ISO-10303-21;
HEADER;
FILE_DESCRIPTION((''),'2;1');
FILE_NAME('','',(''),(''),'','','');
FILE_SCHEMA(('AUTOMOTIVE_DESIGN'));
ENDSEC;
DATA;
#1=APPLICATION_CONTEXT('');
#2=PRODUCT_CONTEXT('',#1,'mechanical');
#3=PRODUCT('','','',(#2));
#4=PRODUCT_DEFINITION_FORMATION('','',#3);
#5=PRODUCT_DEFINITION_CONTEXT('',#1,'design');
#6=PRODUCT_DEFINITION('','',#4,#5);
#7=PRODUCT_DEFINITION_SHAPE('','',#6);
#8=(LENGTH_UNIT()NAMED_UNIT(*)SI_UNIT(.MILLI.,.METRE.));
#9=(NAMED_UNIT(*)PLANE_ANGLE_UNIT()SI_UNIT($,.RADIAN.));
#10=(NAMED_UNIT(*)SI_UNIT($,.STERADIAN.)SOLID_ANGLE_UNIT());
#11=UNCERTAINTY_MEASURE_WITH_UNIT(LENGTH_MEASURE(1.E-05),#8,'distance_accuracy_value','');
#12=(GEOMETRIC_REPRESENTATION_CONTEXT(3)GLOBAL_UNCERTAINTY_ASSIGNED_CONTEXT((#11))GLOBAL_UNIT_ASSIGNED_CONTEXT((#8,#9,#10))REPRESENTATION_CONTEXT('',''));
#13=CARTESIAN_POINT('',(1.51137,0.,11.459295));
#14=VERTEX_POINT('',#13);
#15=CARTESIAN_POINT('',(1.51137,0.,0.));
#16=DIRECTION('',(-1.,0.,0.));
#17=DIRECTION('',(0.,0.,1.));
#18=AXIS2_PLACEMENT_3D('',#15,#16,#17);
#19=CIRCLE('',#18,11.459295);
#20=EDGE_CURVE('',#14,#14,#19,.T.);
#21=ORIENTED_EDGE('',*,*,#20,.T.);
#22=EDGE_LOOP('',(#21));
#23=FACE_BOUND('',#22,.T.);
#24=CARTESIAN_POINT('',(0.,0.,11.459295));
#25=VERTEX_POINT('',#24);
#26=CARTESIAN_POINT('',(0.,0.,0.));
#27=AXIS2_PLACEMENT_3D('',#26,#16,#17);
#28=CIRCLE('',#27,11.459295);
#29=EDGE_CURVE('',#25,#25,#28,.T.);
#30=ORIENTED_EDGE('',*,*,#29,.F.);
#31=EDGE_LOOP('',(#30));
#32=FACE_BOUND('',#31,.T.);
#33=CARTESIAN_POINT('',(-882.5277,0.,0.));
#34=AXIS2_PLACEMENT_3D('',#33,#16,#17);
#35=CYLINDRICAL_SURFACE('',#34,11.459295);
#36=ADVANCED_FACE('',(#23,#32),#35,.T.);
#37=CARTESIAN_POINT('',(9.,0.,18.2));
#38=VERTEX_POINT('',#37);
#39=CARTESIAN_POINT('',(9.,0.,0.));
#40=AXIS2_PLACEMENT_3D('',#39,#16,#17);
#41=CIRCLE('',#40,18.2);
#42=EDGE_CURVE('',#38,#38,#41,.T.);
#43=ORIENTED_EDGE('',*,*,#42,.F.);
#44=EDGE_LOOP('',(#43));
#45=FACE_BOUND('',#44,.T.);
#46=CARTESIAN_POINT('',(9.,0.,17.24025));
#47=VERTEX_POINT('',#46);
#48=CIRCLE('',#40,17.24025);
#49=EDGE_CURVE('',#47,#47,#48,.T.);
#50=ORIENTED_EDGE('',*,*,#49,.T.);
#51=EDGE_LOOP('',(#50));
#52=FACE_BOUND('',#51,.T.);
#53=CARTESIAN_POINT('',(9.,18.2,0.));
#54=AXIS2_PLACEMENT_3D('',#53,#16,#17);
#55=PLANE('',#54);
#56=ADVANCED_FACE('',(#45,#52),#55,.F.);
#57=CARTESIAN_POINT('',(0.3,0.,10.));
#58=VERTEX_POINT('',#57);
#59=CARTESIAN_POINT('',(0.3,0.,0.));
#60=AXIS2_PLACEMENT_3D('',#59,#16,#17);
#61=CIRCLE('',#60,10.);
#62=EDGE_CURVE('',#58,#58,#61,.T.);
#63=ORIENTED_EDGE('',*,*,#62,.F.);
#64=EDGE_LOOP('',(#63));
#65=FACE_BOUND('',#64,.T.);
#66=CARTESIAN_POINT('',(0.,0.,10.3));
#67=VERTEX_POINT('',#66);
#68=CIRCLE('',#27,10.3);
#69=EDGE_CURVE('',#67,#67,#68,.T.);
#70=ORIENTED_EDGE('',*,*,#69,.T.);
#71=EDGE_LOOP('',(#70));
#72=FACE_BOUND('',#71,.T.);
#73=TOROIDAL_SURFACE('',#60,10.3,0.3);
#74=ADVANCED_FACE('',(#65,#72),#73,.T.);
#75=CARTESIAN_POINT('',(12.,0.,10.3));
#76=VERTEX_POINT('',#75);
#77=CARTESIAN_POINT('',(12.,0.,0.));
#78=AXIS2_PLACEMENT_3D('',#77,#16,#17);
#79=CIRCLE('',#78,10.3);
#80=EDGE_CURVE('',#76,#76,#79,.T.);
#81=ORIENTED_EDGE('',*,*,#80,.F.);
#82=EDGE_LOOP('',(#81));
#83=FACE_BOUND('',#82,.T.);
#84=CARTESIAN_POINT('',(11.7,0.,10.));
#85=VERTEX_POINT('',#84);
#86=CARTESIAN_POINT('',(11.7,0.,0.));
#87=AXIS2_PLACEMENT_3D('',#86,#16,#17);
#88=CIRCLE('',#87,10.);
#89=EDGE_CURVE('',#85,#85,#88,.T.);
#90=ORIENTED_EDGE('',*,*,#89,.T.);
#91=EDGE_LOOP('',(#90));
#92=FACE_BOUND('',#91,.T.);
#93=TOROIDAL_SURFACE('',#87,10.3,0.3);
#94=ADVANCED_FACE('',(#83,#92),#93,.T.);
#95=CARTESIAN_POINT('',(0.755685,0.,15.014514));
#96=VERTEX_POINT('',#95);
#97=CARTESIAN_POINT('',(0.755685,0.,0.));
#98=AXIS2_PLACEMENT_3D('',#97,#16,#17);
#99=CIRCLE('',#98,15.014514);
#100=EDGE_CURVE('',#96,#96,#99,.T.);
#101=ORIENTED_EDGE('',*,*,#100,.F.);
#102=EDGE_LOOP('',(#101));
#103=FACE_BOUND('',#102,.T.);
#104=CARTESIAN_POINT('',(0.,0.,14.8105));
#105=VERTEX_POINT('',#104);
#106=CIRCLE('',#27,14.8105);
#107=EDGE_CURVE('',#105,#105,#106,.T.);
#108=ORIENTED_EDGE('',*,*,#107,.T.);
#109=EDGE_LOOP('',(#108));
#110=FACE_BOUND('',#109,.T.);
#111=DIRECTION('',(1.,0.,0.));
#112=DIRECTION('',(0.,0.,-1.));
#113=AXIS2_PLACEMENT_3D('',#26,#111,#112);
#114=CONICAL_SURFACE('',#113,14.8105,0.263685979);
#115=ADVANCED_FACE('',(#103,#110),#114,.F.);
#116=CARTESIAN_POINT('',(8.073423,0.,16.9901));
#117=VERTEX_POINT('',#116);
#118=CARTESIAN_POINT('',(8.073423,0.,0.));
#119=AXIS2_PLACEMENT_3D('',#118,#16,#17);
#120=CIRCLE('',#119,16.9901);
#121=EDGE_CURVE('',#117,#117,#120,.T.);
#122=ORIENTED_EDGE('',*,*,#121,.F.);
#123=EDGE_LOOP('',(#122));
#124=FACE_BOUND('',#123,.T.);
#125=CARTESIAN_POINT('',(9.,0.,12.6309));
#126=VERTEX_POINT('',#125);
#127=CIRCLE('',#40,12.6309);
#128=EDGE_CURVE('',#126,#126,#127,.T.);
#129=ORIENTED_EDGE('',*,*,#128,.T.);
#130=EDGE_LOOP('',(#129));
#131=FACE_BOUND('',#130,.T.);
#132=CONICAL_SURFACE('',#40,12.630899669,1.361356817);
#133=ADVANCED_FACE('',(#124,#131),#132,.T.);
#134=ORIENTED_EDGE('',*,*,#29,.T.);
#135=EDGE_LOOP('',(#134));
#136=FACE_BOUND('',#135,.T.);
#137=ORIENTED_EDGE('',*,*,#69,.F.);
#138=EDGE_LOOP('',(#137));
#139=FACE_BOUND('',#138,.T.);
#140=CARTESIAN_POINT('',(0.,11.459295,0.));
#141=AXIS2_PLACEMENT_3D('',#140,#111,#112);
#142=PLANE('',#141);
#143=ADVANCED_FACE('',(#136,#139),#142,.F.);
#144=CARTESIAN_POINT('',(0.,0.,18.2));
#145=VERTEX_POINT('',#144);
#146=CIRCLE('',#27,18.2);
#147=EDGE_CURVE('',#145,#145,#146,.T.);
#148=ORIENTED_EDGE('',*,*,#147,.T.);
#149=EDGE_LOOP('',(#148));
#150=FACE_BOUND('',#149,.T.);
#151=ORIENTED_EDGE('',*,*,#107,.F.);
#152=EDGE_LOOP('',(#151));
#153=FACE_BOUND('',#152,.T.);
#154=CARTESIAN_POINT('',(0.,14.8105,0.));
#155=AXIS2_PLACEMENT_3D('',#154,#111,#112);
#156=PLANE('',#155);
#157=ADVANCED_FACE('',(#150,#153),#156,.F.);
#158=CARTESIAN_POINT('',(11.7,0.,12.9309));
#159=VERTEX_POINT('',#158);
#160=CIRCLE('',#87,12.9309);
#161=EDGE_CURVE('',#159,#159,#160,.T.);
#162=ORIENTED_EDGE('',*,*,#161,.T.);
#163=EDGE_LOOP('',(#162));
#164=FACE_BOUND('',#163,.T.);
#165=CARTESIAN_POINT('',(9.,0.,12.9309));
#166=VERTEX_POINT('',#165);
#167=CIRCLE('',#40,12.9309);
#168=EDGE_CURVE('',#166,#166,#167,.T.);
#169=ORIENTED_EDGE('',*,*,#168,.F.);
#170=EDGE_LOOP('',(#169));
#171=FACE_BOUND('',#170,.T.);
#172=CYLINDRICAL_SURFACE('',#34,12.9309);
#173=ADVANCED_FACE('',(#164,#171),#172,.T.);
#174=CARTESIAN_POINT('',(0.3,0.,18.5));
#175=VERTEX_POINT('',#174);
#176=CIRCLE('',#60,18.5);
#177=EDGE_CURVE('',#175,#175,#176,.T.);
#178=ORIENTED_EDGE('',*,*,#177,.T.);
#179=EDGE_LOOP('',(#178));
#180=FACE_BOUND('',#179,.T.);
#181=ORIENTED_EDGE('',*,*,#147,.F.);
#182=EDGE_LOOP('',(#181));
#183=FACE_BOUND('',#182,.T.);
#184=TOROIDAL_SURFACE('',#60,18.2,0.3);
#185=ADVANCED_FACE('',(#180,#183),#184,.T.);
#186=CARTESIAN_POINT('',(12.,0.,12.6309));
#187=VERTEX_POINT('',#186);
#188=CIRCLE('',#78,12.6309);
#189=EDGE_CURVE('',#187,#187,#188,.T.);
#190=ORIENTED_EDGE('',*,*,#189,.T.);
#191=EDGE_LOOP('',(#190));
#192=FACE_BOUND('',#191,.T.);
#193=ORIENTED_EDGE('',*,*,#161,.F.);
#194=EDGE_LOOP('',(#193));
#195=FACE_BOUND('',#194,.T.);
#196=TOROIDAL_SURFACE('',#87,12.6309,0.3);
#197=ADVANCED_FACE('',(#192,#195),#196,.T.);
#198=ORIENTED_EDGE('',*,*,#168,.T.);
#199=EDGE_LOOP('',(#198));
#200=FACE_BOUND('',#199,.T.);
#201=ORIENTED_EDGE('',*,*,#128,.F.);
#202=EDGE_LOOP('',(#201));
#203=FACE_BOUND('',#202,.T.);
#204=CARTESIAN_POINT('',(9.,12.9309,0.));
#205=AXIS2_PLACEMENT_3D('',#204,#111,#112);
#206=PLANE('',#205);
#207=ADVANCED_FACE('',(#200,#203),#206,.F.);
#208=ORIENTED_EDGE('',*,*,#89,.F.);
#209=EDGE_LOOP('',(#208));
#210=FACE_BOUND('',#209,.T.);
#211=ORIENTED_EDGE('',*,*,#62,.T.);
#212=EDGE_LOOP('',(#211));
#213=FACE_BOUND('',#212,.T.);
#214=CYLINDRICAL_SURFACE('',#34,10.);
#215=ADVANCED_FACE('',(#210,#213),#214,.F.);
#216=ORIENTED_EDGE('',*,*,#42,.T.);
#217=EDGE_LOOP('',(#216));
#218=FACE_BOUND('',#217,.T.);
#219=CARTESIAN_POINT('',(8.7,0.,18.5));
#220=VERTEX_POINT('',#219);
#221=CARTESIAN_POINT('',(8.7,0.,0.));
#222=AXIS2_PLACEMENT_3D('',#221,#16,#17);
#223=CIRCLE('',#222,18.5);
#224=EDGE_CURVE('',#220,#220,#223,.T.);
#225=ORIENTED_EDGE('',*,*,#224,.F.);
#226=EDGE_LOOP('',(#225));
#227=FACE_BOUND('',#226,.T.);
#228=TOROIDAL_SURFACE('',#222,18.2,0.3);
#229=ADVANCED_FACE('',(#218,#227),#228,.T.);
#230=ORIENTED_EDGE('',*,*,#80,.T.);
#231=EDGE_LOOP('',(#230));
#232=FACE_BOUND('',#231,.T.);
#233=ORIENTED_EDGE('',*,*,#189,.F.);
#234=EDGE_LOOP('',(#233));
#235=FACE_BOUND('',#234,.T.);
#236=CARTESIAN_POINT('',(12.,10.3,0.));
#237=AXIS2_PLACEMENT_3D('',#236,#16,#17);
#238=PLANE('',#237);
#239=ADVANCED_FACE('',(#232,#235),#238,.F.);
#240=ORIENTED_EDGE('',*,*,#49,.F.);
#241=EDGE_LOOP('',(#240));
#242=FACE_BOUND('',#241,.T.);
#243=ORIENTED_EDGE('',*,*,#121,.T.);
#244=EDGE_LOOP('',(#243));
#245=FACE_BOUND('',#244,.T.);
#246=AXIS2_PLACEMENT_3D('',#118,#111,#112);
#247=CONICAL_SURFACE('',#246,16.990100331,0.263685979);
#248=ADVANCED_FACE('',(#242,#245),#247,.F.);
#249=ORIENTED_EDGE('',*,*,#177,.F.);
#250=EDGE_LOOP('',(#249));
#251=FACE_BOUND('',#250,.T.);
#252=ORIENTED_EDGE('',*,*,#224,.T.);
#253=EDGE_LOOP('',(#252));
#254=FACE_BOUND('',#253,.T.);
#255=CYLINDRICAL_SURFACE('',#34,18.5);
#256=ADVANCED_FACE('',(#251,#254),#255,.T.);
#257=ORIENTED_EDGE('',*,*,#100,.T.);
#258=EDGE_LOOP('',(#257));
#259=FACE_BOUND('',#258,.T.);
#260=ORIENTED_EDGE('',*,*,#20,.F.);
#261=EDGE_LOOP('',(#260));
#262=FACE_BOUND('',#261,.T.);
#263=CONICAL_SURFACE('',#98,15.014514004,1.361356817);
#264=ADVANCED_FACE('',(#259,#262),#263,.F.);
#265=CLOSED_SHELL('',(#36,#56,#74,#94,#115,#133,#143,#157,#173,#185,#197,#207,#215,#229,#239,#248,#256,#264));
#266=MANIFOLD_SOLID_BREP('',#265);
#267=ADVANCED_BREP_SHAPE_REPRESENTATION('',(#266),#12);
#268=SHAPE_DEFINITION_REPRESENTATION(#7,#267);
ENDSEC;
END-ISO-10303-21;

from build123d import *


with BuildPart() as part:
    # Эскиз1 → Повернуть1 (revolve)
    with BuildSketch(Plane.XY):
        with BuildLine():
            Line((0.755685064, 15.014514004), (0, 14.8105))
            Line((0, 14.8105), (0, 18.2))
            ThreePointArc((0, 18.2), (0.087867966, 18.412132034), (0.3, 18.5))
            Line((0.3, 18.5), (8.7, 18.5))
            ThreePointArc((8.7, 18.5), (8.912132034, 18.412132034), (9, 18.2))
            Line((9, 18.2), (9, 17.240250337))
            Line((9, 17.240250337), (8.073423296, 16.990100331))
            Line((8.073423296, 16.990100331), (9, 12.630899669))
            Line((9, 12.630899669), (9, 12.930899669))
            Line((9, 12.930899669), (11.7, 12.930899669))
            ThreePointArc((11.7, 12.930899669), (11.912132034, 12.843031704), (12, 12.630899669))
            Line((12, 12.630899669), (12, 10.3))
            ThreePointArc((12, 10.3), (11.912132034, 10.087867966), (11.7, 10))
            Line((11.7, 10), (0.3, 10))
            ThreePointArc((0.3, 10), (0.087867966, 10.087867966), (0, 10.3))
            Line((0, 10.3), (0, 11.459295301))
            Line((0, 11.459295301), (1.511370127, 11.459295301))
            Line((1.511370127, 11.459295301), (0.755685064, 15.014514004))
        make_face()
    revolve(axis=Axis((-882.527700014, 0, 0), (1, 0, 0)))


solid = part.part
